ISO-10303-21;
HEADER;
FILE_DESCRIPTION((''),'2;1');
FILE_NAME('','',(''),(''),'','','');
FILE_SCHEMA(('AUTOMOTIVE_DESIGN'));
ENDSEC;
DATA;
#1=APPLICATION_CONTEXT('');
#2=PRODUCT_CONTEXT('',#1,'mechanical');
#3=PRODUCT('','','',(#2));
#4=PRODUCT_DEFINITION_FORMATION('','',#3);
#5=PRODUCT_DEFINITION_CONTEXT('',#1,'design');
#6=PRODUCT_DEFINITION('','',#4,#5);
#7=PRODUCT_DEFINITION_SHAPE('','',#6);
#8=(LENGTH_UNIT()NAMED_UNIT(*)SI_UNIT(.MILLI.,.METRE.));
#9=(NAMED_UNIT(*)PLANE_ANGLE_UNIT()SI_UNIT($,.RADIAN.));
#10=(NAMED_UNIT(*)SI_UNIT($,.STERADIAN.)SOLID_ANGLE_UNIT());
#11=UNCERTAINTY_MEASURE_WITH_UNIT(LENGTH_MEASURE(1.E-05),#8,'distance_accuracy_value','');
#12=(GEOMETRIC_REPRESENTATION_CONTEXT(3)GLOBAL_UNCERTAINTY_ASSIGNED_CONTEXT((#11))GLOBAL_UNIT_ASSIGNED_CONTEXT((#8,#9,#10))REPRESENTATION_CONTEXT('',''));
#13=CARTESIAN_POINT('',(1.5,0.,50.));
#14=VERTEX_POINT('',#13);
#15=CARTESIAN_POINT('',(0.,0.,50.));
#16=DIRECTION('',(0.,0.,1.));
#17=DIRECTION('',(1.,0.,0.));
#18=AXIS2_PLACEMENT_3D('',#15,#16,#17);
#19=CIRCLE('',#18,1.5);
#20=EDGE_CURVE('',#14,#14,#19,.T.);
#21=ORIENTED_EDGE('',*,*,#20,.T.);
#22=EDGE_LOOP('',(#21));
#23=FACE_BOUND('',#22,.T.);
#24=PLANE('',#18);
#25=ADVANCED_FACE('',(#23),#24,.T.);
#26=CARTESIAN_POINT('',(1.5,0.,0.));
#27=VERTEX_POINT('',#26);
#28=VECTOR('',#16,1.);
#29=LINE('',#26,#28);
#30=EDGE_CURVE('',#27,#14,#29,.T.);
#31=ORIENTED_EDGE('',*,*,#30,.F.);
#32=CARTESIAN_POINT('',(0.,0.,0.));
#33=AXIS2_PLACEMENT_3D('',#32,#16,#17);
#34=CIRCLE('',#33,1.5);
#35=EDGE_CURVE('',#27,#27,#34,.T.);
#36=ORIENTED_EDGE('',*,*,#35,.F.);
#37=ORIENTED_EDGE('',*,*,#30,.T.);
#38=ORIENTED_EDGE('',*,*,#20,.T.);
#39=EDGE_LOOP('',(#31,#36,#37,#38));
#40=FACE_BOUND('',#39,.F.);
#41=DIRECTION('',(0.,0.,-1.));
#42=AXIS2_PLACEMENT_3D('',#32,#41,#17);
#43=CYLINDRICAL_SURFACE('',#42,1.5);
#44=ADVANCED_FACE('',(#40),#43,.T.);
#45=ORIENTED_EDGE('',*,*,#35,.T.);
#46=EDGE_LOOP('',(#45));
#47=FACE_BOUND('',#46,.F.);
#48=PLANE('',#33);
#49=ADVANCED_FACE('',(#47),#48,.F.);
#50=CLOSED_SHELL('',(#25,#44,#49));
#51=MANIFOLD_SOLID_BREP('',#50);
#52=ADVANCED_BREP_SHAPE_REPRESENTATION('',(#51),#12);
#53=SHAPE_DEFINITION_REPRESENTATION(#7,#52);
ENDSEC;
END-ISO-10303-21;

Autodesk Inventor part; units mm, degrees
ref_plane "YZ Plane" through (0, 0, 0) normal (1, 0, 0) x (0, 1, 0)
ref_plane "XZ Plane" through (0, 0, 0) normal (0, 1, 0) x (-1, 0, 0)
ref_plane "XY Plane" through (0, 0, 0) normal (0, 0, 1) x (1, 0, 0)
sketch "Skizze1" plane through (0, 0, 0) normal (0, 0, 1) x (1, 0, 0)
  circle A0 centre (0, 0) radius 1.5
  dimension "d0" = 3
extrude "Extrusion1" add sketch "Skizze1" along normal blind 50
properties part number "LegAxis"
